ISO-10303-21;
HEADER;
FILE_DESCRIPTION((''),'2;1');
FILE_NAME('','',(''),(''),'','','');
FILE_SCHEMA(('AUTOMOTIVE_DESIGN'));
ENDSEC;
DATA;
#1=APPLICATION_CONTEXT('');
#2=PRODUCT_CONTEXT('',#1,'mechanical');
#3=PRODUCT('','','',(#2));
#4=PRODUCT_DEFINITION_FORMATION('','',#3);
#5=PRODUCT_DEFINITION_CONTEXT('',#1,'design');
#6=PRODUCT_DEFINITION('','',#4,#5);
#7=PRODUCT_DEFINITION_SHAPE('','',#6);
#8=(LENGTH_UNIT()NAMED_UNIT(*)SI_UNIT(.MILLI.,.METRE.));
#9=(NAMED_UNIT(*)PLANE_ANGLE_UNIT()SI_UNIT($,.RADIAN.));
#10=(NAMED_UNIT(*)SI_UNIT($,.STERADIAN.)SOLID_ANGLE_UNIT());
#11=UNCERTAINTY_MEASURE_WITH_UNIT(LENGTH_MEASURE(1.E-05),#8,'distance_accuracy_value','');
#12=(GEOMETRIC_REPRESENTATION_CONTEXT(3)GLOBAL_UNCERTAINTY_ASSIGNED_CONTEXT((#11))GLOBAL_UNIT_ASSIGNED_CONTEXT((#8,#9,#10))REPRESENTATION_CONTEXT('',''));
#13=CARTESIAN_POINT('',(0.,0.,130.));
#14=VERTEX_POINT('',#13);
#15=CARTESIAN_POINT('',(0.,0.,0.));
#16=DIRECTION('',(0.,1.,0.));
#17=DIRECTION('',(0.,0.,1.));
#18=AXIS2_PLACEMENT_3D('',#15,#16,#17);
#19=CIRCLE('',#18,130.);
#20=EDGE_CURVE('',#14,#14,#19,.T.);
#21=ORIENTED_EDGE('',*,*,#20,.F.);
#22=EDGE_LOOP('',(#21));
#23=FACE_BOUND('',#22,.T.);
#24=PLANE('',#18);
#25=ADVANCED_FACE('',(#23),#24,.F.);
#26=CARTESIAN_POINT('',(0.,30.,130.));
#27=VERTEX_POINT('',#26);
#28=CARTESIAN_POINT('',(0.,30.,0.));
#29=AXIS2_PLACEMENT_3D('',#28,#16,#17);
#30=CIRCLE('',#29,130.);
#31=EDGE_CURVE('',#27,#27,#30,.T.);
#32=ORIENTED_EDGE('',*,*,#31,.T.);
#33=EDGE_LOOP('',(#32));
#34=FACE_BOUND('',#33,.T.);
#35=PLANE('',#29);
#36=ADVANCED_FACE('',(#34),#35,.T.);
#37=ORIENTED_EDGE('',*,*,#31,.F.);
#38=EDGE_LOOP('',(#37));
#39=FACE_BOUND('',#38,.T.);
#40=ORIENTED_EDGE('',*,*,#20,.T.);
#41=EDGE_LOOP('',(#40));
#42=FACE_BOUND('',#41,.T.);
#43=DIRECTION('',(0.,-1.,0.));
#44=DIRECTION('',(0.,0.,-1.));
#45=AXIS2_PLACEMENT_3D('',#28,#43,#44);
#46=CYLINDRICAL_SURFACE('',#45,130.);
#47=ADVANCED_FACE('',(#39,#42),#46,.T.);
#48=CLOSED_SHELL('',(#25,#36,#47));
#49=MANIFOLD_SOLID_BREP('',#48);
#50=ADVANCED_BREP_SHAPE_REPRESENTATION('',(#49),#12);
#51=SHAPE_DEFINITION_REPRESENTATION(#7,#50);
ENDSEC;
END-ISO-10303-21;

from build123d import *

# Parameters (mm, degrees)
SKETCH_1_R      = 130
EXTRUDE_1_DEPTH = 30


with BuildPart() as part:
    # Эскиз1 → Бобышка-Вытянуть1 (new body)
    with BuildSketch(Plane(origin=(0, 0, 0), x_dir=(1, 0, 0), z_dir=(0, 1, 0))):
        with Locations(Location((0, 0, 0), (0, 0, 270))):
            Circle(SKETCH_1_R)
    extrude(amount=EXTRUDE_1_DEPTH)


solid = part.part
